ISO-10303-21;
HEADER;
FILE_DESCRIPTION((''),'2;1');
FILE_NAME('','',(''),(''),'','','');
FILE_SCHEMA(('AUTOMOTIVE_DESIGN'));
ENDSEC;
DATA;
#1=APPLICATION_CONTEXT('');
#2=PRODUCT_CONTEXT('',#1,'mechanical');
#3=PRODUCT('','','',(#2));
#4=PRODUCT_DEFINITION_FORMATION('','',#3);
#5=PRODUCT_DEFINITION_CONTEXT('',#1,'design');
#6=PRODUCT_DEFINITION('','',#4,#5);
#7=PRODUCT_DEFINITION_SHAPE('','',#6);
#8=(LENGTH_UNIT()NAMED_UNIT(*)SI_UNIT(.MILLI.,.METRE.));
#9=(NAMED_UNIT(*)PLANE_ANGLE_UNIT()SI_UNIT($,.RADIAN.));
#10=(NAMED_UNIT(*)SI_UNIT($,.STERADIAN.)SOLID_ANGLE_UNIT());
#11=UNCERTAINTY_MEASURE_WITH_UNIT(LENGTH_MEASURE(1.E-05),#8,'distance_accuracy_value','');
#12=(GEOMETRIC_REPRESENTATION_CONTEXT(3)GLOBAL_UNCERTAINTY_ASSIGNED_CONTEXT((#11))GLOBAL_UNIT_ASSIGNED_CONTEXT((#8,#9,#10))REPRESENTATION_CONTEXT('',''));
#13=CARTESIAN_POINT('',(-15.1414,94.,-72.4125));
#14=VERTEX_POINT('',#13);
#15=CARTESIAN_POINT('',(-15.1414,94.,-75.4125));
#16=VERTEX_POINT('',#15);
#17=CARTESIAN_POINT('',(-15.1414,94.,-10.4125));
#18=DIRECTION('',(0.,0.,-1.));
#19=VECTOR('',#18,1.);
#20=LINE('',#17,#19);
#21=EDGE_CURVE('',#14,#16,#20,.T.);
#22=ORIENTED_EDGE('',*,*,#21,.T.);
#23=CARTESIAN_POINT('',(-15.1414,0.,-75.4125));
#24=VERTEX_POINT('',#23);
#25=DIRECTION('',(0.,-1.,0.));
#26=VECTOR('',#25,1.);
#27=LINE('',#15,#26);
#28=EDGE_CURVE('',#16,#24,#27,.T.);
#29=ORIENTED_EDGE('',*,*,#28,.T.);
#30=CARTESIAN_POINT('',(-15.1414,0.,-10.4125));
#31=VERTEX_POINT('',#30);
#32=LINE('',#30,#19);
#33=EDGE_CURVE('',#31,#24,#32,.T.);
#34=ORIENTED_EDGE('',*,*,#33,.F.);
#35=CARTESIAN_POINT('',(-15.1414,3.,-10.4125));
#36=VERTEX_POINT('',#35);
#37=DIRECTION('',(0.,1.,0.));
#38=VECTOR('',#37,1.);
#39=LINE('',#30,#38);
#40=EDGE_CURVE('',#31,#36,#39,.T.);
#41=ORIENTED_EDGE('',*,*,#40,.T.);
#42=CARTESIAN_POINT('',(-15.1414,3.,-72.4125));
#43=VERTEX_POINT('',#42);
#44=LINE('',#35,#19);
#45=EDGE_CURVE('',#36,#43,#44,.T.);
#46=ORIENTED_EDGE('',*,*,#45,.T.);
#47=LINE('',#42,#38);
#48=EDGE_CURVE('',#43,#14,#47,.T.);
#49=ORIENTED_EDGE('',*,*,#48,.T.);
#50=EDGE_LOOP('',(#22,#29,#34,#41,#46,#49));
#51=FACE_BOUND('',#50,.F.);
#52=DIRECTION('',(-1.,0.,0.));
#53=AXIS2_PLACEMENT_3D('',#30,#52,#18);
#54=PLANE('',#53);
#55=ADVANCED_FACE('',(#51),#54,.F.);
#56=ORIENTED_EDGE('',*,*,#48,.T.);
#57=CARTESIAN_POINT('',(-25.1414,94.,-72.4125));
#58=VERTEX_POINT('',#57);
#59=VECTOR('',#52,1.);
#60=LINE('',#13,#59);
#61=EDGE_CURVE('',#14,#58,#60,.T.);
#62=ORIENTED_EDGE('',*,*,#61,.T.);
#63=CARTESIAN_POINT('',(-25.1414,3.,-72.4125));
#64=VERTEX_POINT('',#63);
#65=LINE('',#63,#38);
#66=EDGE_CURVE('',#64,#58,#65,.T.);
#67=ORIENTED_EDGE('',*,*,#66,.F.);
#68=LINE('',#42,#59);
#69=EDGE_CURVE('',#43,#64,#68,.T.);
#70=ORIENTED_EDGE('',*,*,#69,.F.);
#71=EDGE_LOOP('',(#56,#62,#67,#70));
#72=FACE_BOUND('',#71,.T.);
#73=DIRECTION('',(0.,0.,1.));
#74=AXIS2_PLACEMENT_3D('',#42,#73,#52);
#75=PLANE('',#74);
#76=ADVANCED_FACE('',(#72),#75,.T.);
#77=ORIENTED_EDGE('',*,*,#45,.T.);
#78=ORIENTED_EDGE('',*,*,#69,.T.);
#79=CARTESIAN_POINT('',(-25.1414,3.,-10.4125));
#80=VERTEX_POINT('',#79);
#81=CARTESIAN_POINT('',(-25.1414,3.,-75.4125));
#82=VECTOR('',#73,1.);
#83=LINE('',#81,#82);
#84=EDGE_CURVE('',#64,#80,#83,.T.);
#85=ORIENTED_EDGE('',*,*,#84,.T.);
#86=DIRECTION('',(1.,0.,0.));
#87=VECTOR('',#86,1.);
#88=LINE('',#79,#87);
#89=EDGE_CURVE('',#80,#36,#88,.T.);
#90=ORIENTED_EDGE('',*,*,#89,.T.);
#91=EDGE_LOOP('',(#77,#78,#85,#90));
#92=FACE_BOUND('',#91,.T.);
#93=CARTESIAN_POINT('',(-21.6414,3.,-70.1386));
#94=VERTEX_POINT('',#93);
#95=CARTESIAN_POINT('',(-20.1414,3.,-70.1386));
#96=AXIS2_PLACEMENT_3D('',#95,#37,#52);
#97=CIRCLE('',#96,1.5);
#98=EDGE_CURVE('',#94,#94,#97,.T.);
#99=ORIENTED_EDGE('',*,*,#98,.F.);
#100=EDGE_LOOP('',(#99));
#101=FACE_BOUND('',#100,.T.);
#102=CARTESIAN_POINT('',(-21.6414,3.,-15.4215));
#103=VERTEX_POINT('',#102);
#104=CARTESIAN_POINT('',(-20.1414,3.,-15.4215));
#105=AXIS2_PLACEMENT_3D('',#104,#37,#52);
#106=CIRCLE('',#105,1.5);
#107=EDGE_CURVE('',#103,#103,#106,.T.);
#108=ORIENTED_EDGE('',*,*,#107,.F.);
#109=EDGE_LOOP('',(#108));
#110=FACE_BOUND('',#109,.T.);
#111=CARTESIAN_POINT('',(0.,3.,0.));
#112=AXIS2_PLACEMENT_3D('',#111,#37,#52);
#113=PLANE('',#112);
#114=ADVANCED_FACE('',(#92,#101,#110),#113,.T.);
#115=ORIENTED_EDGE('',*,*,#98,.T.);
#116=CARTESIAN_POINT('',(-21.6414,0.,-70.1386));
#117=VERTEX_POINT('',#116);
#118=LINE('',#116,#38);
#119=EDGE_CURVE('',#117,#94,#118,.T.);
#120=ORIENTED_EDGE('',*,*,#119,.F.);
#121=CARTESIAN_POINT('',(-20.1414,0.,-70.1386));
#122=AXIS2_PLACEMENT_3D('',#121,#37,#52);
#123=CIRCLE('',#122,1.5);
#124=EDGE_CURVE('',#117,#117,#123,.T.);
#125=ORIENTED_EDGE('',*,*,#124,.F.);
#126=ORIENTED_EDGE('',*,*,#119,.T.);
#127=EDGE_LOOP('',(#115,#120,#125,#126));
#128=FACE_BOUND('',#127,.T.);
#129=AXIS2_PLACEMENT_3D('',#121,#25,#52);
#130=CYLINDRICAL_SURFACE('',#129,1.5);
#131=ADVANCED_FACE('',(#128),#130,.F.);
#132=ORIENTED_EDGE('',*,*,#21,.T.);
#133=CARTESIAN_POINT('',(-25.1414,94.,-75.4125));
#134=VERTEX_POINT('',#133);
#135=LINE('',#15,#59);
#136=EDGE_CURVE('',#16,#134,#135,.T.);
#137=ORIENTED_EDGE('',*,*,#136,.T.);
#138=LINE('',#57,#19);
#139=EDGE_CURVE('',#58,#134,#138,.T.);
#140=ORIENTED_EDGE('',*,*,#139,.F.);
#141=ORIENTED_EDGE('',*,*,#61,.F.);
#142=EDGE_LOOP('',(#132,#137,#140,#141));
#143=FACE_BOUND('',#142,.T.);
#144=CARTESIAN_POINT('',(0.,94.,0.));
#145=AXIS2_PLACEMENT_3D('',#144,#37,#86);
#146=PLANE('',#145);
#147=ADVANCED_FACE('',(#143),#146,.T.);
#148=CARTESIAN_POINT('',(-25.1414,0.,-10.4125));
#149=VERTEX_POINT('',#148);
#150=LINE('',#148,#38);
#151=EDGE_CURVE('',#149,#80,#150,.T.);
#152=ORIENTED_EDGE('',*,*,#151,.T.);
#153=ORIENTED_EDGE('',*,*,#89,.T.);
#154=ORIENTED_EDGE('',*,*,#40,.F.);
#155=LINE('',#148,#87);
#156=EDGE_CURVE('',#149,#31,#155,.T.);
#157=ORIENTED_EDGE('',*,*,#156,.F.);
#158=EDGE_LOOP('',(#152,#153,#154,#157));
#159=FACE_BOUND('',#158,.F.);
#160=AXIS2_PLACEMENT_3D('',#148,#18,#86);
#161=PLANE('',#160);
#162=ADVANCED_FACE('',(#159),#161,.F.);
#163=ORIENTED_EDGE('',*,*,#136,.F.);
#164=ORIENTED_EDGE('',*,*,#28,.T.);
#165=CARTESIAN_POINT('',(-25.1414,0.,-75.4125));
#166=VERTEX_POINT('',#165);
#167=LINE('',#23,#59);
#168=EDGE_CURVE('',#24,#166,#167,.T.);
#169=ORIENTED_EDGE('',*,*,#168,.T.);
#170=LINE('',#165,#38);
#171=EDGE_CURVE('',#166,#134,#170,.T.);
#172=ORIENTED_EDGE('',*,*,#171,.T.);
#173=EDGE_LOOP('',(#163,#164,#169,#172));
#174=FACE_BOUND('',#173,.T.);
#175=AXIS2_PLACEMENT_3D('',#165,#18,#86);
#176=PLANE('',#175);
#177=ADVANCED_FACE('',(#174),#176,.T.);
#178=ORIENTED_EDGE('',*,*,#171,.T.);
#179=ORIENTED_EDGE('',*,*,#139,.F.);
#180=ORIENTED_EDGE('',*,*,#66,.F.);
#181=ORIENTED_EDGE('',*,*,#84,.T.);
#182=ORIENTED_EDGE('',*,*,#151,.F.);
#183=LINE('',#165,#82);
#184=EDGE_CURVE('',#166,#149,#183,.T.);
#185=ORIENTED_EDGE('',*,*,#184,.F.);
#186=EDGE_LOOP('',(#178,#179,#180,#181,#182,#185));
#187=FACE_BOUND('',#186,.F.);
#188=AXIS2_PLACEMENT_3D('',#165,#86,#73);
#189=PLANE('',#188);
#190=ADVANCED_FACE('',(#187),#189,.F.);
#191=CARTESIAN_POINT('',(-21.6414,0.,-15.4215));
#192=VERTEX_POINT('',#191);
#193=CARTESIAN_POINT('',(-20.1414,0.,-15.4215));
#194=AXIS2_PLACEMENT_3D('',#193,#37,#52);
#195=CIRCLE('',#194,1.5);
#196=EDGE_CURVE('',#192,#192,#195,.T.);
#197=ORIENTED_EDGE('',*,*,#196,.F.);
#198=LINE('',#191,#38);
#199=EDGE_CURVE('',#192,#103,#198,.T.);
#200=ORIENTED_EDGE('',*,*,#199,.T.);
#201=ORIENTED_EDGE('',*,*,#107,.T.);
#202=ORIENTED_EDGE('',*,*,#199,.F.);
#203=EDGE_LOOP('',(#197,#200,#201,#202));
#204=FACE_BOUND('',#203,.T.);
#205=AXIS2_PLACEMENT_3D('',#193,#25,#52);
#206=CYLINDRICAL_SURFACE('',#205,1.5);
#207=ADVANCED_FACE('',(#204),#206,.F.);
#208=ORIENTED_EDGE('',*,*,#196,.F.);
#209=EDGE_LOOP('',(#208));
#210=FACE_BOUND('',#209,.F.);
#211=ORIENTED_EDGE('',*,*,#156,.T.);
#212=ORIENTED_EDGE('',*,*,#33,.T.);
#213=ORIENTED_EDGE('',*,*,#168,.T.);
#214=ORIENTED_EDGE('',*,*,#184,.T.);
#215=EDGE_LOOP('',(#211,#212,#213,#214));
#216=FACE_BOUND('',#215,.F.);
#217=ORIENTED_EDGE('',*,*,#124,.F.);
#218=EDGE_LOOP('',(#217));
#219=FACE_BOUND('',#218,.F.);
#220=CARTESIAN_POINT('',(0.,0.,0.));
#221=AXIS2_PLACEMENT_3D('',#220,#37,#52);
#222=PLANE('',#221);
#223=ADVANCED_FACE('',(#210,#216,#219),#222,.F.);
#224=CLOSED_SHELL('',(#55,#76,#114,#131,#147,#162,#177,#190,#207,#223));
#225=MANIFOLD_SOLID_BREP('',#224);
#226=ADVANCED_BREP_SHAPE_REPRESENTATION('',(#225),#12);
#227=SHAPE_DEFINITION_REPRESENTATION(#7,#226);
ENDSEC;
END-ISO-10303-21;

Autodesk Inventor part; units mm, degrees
ref_plane "YZ Plane" through (0, 0, 0) normal (1, 0, 0) x (0, 1, 0)
ref_plane "XZ Plane" through (0, 0, 0) normal (0, 1, 0) x (-1, 0, 0)
ref_plane "XY Plane" through (0, 0, 0) normal (0, 0, 1) x (1, 0, 0)
sketch "Boceto1" plane through (0, 0, 0) normal (0, 1, 0) x (-1, 0, 0)
  circle A0 centre (20.1414, -70.1386) radius 1.5
  circle A1 centre (20.1414, -15.4215) radius 1.5
  line L0 (115.646, -75.4125) -> (-5.464, -75.4125)
  line L1 (20.1414, -75.4125) -> (15.1414, -75.4125)
  line L2 (15.1414, -75.4125) -> (25.1414, -75.4125)
  line L3 (25.1414, -75.4125) -> (25.1414, -10.4125)
  line L4 (25.1414, -10.4125) -> (15.1414, -10.4125)
  line L5 (15.1414, -10.4125) -> (15.1414, -75.4125)
  circle A2 centre (20.1414, -70.1386) radius 1.5
  circle A3 centre (20.1414, -15.4215) radius 1.5
  line L6 (115.646, -75.4125) -> (-5.464, -75.4125)
  line L7 (20.1414, -75.4125) -> (15.1414, -75.4125)
  line L8 (15.1414, -75.4125) -> (25.1414, -75.4125)
  line L9 (25.1414, -75.4125) -> (25.1414, -10.4125)
  line L10 (25.1414, -10.4125) -> (15.1414, -10.4125)
  line L11 (15.1414, -10.4125) -> (15.1414, -75.4125)
  point P0 (0, 0)
  dimension "d0" = 5
  dimension "d1" = 10
  dimension "d2" = 65
  dimension "d3" = 5
  dimension "d4" = 10
  dimension "d5" = 65
extrude "Extrusión1" add sketch "Boceto1" along normal blind 3
sketch "Boceto2" plane through (0, 3, 0) normal (0, 1, 0) x (1, 0, 0)
  line L0 (-15.1414, 75.4125) -> (-25.1414, 75.4125) projected
  line L1 (-15.1414, 10.4125) -> (-15.1414, 75.4125) projected
  line L2 (-25.1414, 75.4125) -> (-15.1414, 75.4125)
  line L3 (-15.1414, 75.4125) -> (-15.1414, 72.4125)
  line L4 (-15.1414, 72.4125) -> (-25.1414, 72.4125)
  line L5 (-25.1414, 72.4125) -> (-25.1414, 75.4125)
  point P0 (0, 0)
  dimension "d8" = 3
extrude "Extrusión2" add sketch "Boceto2" along normal blind 91
properties part number "piezasoportepantalla"
